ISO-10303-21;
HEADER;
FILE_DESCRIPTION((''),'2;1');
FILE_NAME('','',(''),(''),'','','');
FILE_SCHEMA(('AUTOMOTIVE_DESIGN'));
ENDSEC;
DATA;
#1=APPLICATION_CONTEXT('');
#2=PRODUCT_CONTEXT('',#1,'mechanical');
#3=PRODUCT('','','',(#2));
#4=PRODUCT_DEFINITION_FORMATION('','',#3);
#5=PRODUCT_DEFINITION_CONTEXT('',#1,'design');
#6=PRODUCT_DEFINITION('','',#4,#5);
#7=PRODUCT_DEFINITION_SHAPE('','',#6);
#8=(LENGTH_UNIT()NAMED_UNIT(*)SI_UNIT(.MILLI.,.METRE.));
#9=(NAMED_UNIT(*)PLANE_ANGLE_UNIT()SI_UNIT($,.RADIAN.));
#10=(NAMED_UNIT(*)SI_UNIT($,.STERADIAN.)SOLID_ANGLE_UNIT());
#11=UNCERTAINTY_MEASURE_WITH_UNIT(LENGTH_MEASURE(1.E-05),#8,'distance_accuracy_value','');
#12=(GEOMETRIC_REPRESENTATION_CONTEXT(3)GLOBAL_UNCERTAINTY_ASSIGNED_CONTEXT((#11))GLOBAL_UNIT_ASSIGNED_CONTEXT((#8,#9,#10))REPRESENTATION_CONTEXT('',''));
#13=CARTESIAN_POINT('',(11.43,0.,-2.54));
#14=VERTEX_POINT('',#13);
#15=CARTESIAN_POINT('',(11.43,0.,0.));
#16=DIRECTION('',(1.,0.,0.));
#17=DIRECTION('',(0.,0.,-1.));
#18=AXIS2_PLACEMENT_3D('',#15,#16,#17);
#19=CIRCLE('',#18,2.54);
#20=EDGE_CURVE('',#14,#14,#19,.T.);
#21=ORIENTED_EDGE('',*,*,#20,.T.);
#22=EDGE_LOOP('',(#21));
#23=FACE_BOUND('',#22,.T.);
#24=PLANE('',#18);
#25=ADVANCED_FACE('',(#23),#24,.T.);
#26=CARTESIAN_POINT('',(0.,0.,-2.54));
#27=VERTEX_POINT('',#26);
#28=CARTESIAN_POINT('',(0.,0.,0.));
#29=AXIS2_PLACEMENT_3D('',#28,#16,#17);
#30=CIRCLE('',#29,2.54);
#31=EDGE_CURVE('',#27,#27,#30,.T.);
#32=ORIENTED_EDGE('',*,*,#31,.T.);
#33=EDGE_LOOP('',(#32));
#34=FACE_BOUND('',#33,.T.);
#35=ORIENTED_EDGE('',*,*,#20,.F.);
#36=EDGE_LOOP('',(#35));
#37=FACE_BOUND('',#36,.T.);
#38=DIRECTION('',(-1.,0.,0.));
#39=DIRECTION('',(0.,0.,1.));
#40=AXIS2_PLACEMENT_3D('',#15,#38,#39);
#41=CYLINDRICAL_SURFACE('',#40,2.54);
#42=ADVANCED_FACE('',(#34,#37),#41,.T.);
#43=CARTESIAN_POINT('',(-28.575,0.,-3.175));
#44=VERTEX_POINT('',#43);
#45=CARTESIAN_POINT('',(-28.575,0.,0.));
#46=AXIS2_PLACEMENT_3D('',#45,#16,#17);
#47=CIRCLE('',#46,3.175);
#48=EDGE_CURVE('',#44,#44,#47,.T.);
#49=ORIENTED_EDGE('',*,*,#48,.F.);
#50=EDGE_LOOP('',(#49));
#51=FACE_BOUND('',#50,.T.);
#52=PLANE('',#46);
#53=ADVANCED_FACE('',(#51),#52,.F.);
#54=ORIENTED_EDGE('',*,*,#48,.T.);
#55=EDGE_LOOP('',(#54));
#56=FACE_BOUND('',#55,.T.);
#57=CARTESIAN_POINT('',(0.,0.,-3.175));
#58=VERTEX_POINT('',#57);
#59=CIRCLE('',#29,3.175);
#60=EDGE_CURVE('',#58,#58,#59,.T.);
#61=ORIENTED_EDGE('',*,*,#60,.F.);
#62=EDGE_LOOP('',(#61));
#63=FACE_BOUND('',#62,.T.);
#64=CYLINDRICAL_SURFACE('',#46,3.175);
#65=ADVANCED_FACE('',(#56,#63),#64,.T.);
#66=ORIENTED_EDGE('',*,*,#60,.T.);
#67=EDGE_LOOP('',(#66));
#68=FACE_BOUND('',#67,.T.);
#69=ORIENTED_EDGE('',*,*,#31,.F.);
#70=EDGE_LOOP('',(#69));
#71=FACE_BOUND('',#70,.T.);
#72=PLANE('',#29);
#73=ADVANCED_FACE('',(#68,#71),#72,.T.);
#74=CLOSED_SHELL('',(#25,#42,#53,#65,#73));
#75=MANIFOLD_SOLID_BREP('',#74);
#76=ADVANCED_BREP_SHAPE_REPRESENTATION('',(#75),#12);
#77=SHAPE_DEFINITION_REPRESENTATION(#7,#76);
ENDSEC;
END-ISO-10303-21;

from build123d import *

# Parameters (mm, degrees)
SKETCH1_R           = 2.54
BOSS_EXTRUDE1_DEPTH = 11.43
SKETCH1_3_R         = 3.175
BOSS_EXTRUDE2_DEPTH = 28.575


with BuildPart() as part:
    # Sketch1 → Boss-Extrude1 (new body)
    with BuildSketch(Plane(origin=(0, 0, 0), x_dir=(0, 0, -1), z_dir=(1, 0, 0))):
        Circle(SKETCH1_R)
    extrude(amount=BOSS_EXTRUDE1_DEPTH)

    # Sketch1<3> → Boss-Extrude2 (add)
    with BuildSketch(Plane(origin=(0, 0, 0), x_dir=(0, 0, -1), z_dir=(1, 0, 0))):
        Circle(SKETCH1_3_R)
    extrude(amount=-BOSS_EXTRUDE2_DEPTH)


solid = part.part
